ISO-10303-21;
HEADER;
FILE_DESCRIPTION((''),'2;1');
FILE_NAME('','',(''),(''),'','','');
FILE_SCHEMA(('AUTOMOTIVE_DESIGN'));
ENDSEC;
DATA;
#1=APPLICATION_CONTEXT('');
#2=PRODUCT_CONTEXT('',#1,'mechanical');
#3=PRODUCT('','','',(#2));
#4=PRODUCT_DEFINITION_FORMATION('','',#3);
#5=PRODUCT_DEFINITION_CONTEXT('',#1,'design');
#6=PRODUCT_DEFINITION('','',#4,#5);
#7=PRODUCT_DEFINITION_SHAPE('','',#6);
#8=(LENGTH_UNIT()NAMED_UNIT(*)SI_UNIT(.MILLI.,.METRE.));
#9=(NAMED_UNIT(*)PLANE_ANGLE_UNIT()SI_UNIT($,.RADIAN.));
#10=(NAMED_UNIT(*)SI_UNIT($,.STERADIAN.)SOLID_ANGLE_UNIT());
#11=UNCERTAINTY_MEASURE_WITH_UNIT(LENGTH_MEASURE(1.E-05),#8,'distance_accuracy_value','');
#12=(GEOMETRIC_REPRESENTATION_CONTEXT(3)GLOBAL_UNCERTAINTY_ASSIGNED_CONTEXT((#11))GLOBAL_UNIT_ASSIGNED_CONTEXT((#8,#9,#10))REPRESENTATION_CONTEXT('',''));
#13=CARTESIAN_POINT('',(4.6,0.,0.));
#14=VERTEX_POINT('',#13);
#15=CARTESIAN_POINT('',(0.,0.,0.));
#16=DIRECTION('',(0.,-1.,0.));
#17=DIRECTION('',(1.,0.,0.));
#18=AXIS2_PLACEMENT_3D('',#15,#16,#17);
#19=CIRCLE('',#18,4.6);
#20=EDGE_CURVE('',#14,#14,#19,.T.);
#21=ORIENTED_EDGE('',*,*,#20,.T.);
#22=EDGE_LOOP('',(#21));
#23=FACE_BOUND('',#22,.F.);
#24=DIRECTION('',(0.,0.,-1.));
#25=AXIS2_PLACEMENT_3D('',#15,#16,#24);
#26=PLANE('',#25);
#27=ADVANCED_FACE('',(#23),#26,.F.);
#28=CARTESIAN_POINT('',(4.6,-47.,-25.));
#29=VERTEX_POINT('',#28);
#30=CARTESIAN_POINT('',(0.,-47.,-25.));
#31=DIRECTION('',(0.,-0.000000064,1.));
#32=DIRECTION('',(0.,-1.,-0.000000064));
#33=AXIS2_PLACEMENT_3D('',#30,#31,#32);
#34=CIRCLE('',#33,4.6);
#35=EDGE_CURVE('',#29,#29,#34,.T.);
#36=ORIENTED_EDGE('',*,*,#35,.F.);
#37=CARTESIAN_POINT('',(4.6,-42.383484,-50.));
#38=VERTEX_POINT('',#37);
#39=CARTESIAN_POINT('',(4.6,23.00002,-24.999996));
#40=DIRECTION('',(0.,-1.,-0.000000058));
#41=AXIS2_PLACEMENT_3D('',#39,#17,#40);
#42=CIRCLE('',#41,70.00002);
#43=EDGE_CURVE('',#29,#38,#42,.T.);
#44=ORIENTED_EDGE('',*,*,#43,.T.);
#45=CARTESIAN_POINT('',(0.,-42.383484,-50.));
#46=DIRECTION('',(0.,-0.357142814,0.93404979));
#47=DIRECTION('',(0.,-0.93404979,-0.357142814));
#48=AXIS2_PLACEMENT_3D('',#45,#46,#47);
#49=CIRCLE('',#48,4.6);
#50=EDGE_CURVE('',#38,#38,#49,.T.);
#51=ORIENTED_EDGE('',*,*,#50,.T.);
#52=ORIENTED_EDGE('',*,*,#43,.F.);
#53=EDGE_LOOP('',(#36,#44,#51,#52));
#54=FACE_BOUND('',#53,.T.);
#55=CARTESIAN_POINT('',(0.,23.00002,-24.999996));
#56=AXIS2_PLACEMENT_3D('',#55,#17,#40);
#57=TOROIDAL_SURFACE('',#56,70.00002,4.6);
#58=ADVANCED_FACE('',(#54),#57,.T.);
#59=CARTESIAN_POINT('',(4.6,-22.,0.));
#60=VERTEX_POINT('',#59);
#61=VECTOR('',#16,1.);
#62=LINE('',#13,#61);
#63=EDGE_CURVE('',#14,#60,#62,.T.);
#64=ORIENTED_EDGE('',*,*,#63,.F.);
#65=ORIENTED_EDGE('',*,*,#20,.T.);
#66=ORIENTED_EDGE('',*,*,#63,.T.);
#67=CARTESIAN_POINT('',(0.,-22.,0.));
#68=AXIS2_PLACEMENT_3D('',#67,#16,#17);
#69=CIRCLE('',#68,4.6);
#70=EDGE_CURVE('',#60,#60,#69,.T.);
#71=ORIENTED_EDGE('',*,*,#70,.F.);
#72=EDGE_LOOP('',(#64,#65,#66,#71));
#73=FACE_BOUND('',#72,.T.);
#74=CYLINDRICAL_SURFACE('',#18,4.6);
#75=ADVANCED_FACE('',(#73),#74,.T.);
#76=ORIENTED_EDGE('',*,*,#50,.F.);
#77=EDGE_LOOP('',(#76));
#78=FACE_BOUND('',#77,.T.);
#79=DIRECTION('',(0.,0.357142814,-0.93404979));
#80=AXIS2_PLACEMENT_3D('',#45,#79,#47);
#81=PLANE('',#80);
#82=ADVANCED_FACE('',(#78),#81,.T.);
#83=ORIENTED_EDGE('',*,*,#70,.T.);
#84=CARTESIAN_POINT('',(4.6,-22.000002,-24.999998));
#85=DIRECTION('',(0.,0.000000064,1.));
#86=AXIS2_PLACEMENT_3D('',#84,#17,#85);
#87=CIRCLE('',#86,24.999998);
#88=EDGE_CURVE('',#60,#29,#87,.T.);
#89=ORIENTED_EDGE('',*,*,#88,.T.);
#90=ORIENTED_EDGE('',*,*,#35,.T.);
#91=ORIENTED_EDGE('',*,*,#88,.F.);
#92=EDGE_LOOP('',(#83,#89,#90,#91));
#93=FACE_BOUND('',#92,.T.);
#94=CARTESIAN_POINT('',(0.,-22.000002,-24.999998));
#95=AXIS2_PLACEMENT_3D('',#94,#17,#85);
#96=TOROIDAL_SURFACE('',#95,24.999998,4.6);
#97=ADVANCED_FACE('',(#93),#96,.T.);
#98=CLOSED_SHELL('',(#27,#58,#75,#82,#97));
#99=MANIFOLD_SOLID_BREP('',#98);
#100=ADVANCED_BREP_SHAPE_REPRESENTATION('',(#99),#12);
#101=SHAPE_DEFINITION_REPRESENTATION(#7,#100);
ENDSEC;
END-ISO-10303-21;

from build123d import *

# Parameters (mm, degrees)
F0_R = 4.6


with BuildPart() as f2:
    # F2: sweep along a path in F1
    with BuildLine(Plane.YZ) as f2_path:
        Line((0, 0), (-22, 0))
        ThreePointArc((-22, 0), (-39.67767, -7.32233), (-47, -25))
        ThreePointArc((-47, -25), (-45.836196, -37.711336), (-42.383484, -50))
    # F0 (on Front) → F2 (sweep)
    with BuildSketch(Plane.XZ):
        Circle(F0_R)
    sweep(path=f2_path.line)


solid = f2.part
